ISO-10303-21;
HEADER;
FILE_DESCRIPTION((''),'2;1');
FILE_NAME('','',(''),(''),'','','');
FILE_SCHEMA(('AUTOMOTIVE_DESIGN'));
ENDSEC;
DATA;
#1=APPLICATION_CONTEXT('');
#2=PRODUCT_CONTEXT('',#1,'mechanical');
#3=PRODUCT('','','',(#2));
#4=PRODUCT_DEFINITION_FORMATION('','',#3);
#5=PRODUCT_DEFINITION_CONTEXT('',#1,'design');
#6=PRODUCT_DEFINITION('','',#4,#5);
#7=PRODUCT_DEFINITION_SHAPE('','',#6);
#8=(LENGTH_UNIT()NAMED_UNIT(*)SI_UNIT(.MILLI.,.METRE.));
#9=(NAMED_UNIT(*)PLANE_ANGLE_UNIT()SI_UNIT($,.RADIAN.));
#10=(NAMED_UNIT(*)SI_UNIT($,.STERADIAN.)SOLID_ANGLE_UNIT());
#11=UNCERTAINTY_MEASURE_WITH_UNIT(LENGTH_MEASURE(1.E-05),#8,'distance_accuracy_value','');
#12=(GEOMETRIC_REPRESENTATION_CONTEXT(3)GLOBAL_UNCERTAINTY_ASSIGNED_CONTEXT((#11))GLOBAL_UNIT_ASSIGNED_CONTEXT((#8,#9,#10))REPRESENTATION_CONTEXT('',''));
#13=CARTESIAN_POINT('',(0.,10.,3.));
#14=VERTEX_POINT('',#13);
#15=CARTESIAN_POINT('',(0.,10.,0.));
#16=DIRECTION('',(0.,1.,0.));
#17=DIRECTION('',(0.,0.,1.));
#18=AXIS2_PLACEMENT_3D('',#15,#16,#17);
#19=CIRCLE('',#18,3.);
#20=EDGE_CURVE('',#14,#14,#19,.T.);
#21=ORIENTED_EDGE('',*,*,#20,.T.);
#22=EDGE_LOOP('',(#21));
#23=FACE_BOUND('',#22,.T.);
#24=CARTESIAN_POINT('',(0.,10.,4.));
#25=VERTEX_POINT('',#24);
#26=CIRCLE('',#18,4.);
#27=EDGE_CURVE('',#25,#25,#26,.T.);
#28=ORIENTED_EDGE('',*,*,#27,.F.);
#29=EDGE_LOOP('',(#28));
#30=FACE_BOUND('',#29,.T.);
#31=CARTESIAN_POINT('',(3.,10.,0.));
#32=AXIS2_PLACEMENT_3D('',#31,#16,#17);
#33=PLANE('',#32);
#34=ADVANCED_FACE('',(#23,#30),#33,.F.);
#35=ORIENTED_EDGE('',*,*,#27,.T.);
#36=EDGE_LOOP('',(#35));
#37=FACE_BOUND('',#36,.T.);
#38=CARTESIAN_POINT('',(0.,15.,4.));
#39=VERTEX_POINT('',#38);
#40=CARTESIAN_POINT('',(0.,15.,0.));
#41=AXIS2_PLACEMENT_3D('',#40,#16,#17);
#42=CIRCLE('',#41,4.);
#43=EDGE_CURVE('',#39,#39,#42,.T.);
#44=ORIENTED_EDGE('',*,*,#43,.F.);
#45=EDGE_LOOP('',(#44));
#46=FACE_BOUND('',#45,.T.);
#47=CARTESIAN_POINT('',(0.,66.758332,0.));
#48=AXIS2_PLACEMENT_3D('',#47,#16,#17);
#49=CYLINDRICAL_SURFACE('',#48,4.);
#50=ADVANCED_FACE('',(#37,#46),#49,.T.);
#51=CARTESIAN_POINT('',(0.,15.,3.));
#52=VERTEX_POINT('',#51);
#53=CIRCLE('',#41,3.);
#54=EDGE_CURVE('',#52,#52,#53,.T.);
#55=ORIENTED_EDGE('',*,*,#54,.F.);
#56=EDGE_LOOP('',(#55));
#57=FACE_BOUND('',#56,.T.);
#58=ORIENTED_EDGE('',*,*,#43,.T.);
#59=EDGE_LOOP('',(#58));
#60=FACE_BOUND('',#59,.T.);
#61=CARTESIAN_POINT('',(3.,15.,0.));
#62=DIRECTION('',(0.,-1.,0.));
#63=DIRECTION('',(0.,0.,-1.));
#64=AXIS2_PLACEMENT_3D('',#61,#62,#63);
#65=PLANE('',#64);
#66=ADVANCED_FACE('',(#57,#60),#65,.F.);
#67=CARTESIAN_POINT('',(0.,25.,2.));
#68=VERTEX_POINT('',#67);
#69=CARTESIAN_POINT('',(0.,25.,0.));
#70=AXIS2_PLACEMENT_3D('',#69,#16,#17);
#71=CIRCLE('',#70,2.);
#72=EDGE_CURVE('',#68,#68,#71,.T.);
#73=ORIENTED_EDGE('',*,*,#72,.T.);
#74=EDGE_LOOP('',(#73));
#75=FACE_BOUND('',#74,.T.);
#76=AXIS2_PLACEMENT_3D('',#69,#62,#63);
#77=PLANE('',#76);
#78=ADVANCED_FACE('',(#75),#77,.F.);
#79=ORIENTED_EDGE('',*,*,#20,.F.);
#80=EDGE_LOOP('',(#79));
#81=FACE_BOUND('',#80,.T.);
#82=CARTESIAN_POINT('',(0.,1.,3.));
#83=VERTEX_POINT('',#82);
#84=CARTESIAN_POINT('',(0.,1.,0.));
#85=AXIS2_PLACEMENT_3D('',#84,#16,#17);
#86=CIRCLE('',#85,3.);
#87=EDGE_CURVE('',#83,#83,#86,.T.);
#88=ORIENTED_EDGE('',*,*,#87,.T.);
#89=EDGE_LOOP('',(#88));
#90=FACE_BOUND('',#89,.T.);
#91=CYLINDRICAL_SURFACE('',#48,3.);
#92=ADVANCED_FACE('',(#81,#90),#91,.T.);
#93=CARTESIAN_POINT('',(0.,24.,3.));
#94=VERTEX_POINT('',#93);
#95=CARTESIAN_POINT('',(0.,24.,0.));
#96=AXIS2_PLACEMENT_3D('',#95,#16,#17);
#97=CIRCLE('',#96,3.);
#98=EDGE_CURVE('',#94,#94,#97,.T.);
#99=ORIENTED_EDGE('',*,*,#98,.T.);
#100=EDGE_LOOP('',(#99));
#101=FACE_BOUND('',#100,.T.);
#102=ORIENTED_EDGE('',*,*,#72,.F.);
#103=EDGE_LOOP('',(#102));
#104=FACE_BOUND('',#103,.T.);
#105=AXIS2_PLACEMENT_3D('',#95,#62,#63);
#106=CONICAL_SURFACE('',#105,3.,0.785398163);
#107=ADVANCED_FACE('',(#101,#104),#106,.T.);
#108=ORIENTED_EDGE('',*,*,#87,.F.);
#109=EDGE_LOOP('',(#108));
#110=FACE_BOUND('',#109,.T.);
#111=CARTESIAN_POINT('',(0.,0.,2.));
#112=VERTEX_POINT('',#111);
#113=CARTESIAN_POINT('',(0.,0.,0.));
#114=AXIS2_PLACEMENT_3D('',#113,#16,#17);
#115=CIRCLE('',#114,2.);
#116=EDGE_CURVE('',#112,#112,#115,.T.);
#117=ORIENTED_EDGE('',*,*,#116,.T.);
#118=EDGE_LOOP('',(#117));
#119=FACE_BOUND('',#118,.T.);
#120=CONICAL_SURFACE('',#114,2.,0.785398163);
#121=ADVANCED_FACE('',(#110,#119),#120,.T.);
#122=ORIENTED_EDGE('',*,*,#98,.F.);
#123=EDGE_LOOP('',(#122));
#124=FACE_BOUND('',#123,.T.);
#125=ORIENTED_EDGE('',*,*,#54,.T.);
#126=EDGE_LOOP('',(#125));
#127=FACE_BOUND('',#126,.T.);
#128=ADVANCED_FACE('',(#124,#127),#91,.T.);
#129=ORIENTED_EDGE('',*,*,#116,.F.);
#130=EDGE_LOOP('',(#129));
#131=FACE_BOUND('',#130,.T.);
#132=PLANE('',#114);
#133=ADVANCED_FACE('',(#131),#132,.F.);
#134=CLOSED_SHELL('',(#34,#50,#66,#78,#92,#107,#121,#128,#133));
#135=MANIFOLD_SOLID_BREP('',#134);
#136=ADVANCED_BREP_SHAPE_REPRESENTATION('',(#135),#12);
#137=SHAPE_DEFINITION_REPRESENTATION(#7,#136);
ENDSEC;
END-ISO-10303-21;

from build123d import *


with BuildPart() as part:
    # 草圖1 → 旋轉1 (revolve)
    with BuildSketch(Plane.XY):
        Polygon((2, 25), (3, 24), (3, 15), (4, 15), (4, 10), (3, 10), (3, 1), (2, 0), (0, 0), (0, 25), align=None)
    revolve(axis=Axis((0, 66.758331831, 0), (0, -1, 0)))


solid = part.part
